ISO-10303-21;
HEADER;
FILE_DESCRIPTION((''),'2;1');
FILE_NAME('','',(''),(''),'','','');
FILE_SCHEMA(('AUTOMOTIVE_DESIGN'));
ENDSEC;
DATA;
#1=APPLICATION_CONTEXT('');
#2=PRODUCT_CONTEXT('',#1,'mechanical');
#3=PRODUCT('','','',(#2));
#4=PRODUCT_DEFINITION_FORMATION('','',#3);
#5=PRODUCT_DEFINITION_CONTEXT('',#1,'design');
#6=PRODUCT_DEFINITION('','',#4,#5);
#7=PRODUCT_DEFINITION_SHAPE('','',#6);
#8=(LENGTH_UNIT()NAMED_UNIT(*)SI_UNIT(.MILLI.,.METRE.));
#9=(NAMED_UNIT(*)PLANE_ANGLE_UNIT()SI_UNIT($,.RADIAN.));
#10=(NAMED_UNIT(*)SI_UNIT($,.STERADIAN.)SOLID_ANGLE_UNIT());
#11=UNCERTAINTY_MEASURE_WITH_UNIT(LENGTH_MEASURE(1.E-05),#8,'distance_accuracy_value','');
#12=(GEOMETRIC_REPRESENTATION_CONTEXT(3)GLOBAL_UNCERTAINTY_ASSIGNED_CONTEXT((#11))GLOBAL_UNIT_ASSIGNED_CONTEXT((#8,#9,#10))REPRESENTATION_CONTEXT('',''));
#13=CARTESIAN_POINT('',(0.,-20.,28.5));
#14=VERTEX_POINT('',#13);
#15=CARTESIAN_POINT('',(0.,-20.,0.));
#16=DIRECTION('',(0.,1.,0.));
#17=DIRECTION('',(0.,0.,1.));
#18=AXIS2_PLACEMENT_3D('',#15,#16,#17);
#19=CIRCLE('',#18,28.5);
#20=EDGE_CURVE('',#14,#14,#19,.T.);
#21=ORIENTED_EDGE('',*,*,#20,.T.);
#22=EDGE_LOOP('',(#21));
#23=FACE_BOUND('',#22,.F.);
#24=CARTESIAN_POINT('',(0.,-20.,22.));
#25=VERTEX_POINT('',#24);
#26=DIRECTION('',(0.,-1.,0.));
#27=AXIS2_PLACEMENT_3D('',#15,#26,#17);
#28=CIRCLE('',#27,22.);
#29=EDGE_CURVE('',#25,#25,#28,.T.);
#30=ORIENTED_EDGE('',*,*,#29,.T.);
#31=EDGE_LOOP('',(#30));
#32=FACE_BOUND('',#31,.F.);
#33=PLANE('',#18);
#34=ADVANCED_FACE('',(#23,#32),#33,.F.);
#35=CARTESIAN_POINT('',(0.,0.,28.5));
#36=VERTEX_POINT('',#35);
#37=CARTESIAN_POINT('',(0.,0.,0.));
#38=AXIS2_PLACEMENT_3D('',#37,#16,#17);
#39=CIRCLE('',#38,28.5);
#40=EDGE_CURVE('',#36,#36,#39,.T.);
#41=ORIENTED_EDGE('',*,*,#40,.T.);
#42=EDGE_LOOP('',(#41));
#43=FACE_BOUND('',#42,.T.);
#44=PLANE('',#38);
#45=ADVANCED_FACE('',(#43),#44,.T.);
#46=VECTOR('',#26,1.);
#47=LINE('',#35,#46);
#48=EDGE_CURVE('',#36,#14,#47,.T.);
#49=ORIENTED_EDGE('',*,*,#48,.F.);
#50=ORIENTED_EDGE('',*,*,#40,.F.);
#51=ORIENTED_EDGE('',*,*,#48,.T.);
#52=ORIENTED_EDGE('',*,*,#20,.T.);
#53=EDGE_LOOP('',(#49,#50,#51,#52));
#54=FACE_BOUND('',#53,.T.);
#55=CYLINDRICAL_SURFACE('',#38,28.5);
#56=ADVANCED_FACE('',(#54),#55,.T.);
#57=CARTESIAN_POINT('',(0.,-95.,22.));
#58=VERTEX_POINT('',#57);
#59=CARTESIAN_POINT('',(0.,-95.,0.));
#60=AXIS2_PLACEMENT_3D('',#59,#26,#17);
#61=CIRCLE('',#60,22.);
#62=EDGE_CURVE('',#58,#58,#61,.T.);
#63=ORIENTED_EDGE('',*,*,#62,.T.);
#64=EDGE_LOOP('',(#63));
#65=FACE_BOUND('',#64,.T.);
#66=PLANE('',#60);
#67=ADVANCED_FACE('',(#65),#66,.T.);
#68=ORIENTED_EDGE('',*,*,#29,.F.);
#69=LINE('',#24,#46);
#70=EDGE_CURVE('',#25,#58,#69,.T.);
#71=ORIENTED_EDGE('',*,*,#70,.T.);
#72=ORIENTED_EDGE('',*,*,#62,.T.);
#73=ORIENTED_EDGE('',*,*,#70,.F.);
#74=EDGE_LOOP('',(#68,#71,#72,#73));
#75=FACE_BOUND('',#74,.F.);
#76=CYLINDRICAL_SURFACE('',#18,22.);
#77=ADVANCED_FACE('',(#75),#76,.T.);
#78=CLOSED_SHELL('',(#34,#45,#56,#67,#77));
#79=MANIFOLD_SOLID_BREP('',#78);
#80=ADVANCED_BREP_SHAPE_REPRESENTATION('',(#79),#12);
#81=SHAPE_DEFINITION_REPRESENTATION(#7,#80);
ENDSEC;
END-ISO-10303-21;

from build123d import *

# Parameters (mm, degrees)
SKETCH1_R           = 28.5
BOSS_EXTRUDE1_DEPTH = 20
SKETCH2_R           = 22
BOSS_EXTRUDE2_DEPTH = 75


with BuildPart() as part:
    # Sketch1 → Boss-Extrude1 (new body)
    with BuildSketch(Plane(origin=(0, 0, 0), x_dir=(1, 0, 0), z_dir=(0, 1, 0))):
        with Locations(Location((0, 0, 0), (0, 0, 270))):  # turned: the seam where the file's is
            Circle(SKETCH1_R)
    extrude(amount=-BOSS_EXTRUDE1_DEPTH)

    # Sketch2 → Boss-Extrude2 (add)
    with BuildSketch(Plane.XZ.offset(20)):
        with Locations(Location((0, 0, 0), (0, 0, 90))):  # turned: the seam where the file's is
            Circle(SKETCH2_R)
    extrude(amount=BOSS_EXTRUDE2_DEPTH)


solid = part.part
